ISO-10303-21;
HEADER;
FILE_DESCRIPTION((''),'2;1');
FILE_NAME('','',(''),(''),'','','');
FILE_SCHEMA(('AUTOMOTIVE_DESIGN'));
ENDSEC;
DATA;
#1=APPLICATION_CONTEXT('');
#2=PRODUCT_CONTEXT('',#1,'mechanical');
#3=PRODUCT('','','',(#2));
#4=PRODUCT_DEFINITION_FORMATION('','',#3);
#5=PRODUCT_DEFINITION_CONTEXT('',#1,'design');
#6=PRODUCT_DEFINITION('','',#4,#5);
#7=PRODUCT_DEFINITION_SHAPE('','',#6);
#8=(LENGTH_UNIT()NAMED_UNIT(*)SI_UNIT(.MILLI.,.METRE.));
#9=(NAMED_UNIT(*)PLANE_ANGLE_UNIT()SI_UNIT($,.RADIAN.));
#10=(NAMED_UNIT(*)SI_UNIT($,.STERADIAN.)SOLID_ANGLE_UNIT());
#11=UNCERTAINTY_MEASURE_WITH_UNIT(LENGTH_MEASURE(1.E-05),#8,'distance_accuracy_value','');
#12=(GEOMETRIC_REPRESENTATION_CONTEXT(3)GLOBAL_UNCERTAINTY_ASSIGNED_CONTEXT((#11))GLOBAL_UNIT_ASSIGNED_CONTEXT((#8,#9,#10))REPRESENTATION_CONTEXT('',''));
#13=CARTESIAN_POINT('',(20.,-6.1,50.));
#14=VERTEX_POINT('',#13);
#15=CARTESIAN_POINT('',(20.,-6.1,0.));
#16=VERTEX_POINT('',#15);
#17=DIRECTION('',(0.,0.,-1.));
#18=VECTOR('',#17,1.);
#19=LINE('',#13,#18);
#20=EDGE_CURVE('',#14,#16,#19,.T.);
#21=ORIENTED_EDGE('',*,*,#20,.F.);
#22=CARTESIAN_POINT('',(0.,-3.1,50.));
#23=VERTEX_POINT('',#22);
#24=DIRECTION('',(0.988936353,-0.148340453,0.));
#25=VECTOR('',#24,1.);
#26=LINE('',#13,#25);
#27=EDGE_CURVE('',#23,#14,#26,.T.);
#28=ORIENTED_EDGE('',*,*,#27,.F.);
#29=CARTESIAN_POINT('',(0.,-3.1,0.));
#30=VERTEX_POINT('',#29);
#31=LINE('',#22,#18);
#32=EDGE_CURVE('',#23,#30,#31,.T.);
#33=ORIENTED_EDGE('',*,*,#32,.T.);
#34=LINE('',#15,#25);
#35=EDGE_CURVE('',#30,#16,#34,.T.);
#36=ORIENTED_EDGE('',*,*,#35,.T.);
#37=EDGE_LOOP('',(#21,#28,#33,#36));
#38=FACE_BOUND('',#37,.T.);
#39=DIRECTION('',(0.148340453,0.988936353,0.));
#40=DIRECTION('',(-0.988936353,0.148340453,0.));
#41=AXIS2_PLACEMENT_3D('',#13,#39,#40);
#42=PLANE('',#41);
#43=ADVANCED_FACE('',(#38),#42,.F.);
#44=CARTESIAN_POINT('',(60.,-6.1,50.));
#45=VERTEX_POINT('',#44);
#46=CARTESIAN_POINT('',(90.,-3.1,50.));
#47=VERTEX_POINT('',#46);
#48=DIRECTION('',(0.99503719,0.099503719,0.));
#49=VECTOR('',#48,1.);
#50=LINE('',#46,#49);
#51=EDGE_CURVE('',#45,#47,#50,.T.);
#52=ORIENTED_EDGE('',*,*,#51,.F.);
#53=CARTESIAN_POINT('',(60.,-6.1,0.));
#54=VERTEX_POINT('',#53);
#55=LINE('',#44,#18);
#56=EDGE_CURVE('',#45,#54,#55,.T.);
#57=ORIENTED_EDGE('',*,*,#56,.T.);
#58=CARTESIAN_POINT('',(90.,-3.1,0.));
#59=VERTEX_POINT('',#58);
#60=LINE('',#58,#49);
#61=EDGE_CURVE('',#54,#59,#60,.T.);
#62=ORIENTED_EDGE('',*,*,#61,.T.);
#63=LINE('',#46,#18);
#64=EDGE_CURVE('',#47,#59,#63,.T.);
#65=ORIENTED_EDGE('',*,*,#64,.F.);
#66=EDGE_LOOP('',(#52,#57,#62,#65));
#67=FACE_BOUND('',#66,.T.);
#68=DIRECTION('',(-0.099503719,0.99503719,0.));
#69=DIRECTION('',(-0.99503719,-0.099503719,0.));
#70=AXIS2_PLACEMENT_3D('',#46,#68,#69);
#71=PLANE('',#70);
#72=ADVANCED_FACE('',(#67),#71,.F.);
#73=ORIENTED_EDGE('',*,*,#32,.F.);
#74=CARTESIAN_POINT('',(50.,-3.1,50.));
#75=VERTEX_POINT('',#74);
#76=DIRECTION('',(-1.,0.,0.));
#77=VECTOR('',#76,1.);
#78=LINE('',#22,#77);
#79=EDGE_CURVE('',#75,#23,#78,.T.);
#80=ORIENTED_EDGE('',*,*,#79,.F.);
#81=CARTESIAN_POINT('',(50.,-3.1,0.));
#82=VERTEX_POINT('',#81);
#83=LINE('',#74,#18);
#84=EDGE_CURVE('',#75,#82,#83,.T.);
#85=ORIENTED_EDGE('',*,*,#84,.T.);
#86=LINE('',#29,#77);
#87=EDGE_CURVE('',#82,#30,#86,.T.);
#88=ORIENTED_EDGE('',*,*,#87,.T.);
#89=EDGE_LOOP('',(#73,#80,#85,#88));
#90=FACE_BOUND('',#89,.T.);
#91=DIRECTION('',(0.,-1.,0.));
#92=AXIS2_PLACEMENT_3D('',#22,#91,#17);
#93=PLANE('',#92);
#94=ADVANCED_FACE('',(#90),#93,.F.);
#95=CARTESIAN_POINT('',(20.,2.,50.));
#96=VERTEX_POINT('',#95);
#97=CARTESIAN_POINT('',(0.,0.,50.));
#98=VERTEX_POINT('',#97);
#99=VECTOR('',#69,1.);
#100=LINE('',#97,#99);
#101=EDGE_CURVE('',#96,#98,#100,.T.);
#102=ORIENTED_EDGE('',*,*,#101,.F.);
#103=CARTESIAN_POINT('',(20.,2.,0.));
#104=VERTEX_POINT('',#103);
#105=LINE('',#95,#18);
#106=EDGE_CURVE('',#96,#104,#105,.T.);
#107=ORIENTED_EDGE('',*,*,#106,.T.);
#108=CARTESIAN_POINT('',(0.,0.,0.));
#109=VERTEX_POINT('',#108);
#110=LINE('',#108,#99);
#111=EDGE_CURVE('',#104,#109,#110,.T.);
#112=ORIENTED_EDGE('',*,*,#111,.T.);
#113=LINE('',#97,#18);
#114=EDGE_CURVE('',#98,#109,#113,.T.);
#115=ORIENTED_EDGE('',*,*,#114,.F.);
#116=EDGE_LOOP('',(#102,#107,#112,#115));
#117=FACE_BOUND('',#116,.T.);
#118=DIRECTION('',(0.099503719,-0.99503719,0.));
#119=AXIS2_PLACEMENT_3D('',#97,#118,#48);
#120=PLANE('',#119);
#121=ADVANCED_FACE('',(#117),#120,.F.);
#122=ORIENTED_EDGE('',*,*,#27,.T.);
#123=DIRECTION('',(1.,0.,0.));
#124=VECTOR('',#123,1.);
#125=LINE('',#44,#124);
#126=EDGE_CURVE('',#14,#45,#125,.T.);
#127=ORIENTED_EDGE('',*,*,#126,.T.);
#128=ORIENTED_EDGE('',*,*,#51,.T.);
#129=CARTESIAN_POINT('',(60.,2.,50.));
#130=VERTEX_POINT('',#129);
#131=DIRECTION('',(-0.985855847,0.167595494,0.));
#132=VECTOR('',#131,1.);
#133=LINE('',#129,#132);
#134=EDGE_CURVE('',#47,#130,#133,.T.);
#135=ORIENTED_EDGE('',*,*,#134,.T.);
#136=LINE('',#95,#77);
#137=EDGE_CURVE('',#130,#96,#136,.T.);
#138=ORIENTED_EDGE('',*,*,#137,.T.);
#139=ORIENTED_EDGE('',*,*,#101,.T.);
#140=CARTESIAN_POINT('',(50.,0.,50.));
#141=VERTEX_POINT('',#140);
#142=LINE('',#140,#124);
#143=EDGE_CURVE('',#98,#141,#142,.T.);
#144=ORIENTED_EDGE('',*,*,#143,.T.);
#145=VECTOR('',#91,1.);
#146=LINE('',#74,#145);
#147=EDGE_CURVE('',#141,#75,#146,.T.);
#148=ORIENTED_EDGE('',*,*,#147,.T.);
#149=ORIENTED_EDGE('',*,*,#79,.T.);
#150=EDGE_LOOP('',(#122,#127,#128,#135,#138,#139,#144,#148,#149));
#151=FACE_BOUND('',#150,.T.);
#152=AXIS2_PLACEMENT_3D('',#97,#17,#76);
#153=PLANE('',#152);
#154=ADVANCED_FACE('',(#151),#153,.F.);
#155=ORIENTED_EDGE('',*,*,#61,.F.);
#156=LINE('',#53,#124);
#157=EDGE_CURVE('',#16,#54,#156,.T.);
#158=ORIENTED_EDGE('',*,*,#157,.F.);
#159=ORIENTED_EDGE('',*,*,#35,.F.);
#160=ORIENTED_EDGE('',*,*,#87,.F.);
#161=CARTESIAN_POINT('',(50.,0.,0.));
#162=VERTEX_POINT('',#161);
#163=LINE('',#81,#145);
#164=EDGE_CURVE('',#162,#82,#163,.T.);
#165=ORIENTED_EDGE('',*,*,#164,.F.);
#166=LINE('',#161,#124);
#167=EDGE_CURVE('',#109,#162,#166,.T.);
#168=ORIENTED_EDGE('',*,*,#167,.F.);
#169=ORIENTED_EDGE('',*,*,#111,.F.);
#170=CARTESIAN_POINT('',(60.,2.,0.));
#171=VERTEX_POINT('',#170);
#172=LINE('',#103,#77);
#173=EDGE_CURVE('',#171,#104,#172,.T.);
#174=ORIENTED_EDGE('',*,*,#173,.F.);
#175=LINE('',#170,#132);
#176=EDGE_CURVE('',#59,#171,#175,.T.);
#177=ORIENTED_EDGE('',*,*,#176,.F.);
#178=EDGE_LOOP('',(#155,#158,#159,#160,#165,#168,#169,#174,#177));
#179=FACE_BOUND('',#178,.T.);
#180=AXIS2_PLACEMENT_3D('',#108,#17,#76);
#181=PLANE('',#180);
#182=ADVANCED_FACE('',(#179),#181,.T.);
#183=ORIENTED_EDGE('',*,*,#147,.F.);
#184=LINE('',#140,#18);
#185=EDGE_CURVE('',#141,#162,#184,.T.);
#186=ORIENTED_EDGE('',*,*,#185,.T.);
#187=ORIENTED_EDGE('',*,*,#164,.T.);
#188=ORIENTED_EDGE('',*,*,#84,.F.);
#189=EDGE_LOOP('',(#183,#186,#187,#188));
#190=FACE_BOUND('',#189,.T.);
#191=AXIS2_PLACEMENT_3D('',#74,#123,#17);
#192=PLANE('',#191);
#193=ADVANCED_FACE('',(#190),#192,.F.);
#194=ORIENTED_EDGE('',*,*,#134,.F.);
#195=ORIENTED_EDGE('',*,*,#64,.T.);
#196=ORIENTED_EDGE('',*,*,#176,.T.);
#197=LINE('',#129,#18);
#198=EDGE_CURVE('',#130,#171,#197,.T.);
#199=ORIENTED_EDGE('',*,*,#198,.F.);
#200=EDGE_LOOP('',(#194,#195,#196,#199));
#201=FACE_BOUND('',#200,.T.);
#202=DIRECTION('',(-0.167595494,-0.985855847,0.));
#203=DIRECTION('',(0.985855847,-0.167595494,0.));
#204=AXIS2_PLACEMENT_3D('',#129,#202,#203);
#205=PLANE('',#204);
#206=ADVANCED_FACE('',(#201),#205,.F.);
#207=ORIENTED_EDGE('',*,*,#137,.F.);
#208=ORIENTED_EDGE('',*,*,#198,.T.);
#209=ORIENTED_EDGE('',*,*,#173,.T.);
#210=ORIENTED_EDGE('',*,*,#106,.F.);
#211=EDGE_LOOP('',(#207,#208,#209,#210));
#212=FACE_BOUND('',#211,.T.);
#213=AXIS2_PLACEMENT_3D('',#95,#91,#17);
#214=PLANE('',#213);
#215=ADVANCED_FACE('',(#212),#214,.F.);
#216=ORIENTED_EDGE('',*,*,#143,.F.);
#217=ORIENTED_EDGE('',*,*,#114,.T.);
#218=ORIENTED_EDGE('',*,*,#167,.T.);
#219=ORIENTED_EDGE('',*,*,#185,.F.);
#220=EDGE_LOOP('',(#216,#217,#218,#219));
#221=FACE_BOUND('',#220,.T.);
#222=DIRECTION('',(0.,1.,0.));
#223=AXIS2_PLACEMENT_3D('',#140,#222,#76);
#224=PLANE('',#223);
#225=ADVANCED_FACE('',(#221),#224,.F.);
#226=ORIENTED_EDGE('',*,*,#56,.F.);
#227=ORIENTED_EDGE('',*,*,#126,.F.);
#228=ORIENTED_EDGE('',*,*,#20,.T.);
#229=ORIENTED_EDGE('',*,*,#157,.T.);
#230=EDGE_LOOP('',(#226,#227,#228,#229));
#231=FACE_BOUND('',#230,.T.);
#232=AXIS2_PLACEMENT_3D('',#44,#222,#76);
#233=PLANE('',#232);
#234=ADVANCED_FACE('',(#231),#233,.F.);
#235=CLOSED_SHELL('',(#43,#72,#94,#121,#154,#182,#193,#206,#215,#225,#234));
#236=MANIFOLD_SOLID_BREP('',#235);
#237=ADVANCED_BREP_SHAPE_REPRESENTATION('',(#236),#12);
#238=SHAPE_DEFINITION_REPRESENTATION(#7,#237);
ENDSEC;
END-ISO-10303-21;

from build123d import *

# Parameters (mm, degrees)
P_IDAT_VYSUNUT_M1_DEPTH = 50


with BuildPart() as part:
    # Skica1 → Přidat vysunutím1 (new body)
    with BuildSketch(Plane.XY):
        Polygon((0, 0), (20, 2), (60, 2), (90, -3.1), (60, -6.1), (20, -6.1), (0, -3.1), (50, -3.1), (50, 0), align=None)
    extrude(amount=P_IDAT_VYSUNUT_M1_DEPTH)


solid = part.part
